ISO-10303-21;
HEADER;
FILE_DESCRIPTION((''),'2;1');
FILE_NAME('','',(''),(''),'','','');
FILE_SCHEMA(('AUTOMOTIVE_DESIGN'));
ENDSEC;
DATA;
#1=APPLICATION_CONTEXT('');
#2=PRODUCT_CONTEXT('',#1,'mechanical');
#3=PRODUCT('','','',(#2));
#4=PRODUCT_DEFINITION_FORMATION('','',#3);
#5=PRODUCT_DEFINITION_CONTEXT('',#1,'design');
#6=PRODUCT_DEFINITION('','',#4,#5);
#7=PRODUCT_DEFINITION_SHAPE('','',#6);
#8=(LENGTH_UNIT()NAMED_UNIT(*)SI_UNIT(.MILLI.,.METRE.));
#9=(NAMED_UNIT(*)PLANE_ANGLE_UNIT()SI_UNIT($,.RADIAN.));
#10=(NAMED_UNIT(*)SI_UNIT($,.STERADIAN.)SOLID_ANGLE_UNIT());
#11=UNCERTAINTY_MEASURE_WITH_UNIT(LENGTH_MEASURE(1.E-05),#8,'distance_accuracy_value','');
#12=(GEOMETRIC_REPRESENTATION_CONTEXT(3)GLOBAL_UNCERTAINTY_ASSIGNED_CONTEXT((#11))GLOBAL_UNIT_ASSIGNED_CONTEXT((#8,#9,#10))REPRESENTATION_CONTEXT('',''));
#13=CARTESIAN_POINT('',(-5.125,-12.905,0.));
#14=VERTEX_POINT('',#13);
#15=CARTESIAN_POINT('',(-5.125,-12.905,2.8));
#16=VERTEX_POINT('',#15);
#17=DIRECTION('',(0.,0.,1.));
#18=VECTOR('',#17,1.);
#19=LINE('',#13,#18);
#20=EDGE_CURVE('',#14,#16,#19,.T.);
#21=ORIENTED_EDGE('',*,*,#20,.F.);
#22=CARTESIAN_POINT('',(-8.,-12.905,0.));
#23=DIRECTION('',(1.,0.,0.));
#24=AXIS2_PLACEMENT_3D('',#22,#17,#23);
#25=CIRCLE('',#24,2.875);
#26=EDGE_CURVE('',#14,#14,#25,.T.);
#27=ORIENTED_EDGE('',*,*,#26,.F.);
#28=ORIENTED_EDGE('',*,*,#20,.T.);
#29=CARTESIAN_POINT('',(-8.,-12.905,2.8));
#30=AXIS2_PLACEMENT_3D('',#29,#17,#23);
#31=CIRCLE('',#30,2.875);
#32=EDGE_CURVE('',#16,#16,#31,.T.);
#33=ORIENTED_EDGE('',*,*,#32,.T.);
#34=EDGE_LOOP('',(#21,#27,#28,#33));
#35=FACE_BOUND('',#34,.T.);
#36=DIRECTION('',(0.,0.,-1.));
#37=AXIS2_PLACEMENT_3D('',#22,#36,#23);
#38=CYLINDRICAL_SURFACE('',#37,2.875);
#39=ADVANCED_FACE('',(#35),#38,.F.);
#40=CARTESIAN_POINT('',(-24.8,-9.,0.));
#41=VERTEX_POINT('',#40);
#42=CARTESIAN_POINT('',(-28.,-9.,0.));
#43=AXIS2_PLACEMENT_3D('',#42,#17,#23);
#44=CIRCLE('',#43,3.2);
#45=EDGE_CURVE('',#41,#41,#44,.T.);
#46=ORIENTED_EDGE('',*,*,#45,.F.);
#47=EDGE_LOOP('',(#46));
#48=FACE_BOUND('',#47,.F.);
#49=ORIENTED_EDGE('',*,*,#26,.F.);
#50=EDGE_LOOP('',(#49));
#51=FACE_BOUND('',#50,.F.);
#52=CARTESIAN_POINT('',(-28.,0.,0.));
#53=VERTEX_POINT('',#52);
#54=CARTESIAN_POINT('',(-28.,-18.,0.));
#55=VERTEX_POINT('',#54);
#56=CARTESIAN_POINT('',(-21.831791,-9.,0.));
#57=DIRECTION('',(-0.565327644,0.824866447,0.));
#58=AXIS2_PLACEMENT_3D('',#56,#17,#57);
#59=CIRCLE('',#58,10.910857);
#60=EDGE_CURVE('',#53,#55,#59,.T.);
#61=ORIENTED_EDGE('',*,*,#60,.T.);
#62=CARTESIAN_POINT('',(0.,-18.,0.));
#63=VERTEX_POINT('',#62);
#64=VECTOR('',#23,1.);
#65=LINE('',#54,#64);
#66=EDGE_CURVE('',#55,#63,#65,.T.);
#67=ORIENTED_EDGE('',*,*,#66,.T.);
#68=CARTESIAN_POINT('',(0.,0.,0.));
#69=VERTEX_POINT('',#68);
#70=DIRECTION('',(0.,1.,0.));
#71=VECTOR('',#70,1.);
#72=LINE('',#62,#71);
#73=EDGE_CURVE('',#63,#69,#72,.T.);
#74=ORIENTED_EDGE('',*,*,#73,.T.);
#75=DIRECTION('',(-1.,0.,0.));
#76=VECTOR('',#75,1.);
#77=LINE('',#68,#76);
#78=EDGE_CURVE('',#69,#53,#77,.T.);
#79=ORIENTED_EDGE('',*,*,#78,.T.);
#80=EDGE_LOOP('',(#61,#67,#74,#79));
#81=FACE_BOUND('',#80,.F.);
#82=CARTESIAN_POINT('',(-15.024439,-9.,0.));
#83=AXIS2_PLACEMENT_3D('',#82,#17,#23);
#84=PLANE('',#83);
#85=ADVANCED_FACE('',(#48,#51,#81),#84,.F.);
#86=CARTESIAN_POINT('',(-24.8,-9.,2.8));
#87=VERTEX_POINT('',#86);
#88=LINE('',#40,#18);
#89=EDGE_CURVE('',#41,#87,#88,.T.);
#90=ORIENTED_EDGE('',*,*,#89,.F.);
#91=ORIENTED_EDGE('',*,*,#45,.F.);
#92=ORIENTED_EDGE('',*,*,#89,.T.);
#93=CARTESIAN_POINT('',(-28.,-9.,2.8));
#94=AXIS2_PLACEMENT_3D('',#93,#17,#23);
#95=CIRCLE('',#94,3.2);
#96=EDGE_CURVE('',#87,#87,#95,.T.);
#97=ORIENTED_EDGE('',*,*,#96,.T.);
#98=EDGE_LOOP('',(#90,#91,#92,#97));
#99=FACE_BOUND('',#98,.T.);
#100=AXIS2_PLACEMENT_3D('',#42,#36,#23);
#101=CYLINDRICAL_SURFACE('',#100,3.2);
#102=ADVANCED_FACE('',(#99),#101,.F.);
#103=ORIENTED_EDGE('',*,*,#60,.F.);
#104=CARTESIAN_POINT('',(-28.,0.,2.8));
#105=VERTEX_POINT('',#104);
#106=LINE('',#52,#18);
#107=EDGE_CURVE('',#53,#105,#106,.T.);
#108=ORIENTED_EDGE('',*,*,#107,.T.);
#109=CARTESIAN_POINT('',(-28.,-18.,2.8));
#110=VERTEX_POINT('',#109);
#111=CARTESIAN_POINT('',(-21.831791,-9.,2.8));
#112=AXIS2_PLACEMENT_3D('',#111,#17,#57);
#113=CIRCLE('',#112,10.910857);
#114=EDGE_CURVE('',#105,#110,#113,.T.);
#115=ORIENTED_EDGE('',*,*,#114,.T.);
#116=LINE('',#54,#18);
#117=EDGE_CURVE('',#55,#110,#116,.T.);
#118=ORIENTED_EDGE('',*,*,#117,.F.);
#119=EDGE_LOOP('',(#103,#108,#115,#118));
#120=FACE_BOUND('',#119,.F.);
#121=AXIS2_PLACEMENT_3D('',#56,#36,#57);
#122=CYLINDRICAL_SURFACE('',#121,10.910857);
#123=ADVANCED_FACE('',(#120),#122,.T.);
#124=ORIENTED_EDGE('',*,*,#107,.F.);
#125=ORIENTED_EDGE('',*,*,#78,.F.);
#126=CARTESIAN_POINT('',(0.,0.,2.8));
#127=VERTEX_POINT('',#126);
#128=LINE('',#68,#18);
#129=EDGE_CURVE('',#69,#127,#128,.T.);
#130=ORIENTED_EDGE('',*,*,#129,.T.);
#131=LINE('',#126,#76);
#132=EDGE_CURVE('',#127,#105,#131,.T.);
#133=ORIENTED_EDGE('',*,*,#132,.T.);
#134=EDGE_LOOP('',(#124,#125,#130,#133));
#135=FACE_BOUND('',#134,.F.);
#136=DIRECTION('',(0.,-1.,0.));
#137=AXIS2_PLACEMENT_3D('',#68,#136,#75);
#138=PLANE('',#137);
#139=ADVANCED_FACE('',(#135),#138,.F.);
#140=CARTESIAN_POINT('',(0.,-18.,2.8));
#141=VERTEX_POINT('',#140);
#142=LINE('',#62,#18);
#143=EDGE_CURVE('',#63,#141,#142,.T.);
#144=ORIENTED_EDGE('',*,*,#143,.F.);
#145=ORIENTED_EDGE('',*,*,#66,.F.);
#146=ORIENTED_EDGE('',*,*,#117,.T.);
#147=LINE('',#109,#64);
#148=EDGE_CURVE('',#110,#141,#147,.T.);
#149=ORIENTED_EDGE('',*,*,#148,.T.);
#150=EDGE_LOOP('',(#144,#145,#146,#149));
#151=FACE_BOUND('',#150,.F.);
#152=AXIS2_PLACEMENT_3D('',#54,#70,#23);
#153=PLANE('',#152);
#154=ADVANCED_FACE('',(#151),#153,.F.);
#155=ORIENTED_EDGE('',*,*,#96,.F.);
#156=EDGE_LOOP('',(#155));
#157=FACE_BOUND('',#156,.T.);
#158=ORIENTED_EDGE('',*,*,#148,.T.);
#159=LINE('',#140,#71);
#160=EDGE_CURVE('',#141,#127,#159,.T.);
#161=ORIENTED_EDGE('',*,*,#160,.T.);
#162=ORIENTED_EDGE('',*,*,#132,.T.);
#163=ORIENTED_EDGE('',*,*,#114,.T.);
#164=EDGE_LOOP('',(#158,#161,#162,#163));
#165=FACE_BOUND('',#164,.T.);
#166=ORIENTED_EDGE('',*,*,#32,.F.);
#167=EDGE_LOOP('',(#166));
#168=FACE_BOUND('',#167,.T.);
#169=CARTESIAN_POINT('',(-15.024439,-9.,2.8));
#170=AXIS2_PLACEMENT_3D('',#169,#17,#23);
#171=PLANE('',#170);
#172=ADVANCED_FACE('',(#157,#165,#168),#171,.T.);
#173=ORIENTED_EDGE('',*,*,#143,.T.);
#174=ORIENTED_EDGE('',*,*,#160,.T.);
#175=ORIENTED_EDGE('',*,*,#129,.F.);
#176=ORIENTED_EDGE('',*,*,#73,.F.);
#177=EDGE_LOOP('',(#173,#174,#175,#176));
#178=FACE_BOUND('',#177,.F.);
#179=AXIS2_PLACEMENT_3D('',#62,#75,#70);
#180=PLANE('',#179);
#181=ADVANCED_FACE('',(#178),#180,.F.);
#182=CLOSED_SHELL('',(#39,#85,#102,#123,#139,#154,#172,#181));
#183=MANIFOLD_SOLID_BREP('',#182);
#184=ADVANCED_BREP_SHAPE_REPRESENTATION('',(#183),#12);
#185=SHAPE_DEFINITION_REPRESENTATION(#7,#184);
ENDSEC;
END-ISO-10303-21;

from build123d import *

# Parameters (mm, degrees)
F0_R     = 2.875
F0_R_2   = 3.2
F1_DEPTH = 2.8


with BuildPart() as f1:
    # F0 (on Top) → F1 (new body)
    with BuildSketch(Plane.XY):
        with BuildLine():
            Line((0, -18), (0, 0))
            Line((0, 0), (-28, 0))
            ThreePointArc((-28, 0), (-32.742648, -9), (-28, -18))
            Line((-28, -18), (0, -18))
        make_face()
        with Locations((-8, -12.905)):
            Circle(F0_R, mode=Mode.SUBTRACT)
        with Locations((-28, -9)):
            Circle(F0_R_2, mode=Mode.SUBTRACT)
    extrude(amount=F1_DEPTH)


solid = f1.part
